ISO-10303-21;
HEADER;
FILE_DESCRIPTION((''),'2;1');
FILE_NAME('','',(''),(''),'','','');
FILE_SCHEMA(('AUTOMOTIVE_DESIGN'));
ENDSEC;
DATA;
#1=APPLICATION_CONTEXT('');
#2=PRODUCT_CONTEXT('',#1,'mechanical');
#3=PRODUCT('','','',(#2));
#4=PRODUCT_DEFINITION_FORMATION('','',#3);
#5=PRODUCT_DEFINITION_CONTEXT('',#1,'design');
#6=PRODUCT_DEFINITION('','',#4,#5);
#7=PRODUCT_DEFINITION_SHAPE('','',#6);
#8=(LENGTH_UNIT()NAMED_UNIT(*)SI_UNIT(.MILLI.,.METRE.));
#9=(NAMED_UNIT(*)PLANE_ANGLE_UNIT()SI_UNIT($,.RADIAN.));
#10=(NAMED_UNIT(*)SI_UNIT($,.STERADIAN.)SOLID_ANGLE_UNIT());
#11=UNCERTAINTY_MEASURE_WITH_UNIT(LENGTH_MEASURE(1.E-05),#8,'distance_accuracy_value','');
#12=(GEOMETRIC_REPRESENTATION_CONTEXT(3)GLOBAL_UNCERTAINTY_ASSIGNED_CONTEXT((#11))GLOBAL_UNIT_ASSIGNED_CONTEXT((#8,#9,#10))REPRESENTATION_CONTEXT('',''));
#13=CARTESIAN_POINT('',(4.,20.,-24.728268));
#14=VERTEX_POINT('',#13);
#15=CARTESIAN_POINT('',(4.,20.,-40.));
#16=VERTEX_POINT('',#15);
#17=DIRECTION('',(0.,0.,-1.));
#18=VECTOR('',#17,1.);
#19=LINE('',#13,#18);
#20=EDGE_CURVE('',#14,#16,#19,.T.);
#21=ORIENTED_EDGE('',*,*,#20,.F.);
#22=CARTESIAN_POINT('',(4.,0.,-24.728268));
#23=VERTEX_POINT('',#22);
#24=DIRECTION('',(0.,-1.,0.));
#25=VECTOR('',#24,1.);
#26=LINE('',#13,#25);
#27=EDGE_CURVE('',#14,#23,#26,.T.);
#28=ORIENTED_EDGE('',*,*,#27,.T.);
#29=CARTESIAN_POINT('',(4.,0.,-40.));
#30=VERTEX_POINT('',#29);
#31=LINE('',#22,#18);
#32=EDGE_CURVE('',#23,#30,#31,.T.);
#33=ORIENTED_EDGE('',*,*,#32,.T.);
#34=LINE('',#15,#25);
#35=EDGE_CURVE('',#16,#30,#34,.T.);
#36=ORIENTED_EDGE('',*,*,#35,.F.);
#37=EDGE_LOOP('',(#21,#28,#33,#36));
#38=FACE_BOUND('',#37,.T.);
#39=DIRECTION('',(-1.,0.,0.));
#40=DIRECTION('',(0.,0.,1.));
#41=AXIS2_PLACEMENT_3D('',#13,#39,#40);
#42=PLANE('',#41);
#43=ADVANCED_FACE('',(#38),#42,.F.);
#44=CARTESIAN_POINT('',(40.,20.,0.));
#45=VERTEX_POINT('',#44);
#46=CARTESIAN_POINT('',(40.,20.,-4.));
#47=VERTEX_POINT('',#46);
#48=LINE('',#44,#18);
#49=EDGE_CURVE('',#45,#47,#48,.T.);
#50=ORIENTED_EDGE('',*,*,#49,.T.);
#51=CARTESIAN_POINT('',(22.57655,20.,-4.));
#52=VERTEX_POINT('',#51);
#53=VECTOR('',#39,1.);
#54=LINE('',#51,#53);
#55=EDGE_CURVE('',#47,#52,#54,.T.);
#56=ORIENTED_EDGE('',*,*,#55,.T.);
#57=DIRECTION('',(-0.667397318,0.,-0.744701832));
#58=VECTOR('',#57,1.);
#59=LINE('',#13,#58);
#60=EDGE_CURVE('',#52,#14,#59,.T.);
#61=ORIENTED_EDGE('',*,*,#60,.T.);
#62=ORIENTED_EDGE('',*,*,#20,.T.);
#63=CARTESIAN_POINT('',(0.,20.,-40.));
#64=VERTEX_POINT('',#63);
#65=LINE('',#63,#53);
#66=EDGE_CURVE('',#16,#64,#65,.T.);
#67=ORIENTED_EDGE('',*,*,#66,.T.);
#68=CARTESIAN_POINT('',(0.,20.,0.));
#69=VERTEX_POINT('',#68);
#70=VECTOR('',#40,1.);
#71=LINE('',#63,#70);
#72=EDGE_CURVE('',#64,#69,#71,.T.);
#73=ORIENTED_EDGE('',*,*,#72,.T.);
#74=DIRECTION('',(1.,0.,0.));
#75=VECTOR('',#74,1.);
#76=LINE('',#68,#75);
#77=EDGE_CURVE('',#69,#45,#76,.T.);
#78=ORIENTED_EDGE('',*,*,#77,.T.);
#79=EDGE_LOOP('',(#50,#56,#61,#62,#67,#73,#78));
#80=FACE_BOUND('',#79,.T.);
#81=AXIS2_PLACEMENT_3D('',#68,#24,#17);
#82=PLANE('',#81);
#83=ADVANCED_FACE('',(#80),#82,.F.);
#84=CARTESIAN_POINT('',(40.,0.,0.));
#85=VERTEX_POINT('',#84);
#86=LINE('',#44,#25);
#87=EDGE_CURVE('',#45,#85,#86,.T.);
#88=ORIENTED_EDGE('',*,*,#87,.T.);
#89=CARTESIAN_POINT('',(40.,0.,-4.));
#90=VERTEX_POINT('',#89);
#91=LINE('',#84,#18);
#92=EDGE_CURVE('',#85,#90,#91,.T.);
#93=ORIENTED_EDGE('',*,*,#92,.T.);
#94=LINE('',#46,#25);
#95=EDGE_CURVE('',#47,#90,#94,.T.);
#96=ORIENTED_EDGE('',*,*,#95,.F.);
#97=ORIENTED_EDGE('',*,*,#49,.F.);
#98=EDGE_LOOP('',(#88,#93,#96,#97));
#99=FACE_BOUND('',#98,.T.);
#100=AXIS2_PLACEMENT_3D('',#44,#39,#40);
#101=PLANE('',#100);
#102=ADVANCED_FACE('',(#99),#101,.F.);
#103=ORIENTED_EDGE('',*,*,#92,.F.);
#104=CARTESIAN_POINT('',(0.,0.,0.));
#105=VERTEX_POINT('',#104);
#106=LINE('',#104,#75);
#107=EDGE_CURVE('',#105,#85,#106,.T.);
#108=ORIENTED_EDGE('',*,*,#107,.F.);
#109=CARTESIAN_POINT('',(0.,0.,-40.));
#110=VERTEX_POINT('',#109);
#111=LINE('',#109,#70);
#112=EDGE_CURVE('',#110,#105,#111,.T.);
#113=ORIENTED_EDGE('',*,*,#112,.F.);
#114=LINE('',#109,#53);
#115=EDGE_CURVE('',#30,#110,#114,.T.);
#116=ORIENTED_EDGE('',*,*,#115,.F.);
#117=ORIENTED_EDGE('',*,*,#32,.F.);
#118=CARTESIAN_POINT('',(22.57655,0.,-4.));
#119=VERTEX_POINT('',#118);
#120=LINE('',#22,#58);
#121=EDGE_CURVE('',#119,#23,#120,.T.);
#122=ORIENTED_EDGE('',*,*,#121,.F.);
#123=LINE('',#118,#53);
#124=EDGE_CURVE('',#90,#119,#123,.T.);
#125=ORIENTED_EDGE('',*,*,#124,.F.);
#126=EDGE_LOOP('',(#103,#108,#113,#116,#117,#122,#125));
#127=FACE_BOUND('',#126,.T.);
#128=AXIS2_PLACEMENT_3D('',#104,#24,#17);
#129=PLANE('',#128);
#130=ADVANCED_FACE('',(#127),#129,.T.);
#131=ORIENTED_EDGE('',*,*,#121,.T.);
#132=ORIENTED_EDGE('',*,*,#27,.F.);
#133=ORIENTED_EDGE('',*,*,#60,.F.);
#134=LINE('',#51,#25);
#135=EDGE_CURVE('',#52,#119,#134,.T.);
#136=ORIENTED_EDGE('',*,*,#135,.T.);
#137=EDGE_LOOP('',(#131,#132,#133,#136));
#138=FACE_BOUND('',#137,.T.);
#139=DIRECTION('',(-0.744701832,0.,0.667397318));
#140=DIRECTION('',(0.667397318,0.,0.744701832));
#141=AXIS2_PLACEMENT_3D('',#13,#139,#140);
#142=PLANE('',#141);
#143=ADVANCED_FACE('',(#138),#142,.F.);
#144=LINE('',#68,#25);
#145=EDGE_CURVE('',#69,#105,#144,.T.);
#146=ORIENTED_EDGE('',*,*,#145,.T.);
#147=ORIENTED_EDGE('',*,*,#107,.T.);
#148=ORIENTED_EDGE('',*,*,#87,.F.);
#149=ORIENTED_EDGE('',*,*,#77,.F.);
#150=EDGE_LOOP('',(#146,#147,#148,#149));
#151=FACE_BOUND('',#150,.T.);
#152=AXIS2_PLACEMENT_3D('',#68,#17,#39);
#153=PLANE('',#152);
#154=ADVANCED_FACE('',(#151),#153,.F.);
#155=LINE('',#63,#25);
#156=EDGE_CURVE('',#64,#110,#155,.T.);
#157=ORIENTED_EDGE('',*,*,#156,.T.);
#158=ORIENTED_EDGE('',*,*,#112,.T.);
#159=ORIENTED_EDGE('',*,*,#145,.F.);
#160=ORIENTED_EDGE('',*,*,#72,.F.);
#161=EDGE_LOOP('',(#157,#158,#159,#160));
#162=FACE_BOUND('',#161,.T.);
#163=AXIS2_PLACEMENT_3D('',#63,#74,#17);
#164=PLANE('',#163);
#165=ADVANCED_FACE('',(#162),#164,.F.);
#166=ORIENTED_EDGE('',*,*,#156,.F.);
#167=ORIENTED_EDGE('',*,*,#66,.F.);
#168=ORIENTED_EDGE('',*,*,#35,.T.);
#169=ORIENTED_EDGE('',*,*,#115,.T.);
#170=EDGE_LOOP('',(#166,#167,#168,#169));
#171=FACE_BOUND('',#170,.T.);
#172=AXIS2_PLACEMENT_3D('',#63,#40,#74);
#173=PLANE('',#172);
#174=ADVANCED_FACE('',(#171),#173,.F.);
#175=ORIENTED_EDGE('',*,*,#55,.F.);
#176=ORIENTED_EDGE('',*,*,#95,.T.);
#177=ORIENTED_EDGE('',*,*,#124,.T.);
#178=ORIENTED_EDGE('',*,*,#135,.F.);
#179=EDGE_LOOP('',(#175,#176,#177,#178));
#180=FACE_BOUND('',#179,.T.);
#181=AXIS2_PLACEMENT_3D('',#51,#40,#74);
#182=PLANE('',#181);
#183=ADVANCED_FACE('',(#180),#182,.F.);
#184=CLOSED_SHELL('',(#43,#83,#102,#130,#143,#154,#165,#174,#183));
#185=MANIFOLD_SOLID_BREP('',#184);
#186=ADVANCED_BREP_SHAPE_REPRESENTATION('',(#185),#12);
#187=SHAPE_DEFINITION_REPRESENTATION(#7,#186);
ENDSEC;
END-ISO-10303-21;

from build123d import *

# Parameters (mm, degrees)
EXTRUDE_1_DEPTH = 20


with BuildPart() as part:
    # 草图1 → 凸台-拉伸1 (new body)
    with BuildSketch(Plane(origin=(0, 0, 0), x_dir=(1, 0, 0), z_dir=(0, 1, 0))):
        Polygon((0, 40), (0, 0), (40, 0), (40, 4), (22.576549518, 4), (4, 24.728267981), (4, 40), align=None)
    extrude(amount=EXTRUDE_1_DEPTH)


solid = part.part
